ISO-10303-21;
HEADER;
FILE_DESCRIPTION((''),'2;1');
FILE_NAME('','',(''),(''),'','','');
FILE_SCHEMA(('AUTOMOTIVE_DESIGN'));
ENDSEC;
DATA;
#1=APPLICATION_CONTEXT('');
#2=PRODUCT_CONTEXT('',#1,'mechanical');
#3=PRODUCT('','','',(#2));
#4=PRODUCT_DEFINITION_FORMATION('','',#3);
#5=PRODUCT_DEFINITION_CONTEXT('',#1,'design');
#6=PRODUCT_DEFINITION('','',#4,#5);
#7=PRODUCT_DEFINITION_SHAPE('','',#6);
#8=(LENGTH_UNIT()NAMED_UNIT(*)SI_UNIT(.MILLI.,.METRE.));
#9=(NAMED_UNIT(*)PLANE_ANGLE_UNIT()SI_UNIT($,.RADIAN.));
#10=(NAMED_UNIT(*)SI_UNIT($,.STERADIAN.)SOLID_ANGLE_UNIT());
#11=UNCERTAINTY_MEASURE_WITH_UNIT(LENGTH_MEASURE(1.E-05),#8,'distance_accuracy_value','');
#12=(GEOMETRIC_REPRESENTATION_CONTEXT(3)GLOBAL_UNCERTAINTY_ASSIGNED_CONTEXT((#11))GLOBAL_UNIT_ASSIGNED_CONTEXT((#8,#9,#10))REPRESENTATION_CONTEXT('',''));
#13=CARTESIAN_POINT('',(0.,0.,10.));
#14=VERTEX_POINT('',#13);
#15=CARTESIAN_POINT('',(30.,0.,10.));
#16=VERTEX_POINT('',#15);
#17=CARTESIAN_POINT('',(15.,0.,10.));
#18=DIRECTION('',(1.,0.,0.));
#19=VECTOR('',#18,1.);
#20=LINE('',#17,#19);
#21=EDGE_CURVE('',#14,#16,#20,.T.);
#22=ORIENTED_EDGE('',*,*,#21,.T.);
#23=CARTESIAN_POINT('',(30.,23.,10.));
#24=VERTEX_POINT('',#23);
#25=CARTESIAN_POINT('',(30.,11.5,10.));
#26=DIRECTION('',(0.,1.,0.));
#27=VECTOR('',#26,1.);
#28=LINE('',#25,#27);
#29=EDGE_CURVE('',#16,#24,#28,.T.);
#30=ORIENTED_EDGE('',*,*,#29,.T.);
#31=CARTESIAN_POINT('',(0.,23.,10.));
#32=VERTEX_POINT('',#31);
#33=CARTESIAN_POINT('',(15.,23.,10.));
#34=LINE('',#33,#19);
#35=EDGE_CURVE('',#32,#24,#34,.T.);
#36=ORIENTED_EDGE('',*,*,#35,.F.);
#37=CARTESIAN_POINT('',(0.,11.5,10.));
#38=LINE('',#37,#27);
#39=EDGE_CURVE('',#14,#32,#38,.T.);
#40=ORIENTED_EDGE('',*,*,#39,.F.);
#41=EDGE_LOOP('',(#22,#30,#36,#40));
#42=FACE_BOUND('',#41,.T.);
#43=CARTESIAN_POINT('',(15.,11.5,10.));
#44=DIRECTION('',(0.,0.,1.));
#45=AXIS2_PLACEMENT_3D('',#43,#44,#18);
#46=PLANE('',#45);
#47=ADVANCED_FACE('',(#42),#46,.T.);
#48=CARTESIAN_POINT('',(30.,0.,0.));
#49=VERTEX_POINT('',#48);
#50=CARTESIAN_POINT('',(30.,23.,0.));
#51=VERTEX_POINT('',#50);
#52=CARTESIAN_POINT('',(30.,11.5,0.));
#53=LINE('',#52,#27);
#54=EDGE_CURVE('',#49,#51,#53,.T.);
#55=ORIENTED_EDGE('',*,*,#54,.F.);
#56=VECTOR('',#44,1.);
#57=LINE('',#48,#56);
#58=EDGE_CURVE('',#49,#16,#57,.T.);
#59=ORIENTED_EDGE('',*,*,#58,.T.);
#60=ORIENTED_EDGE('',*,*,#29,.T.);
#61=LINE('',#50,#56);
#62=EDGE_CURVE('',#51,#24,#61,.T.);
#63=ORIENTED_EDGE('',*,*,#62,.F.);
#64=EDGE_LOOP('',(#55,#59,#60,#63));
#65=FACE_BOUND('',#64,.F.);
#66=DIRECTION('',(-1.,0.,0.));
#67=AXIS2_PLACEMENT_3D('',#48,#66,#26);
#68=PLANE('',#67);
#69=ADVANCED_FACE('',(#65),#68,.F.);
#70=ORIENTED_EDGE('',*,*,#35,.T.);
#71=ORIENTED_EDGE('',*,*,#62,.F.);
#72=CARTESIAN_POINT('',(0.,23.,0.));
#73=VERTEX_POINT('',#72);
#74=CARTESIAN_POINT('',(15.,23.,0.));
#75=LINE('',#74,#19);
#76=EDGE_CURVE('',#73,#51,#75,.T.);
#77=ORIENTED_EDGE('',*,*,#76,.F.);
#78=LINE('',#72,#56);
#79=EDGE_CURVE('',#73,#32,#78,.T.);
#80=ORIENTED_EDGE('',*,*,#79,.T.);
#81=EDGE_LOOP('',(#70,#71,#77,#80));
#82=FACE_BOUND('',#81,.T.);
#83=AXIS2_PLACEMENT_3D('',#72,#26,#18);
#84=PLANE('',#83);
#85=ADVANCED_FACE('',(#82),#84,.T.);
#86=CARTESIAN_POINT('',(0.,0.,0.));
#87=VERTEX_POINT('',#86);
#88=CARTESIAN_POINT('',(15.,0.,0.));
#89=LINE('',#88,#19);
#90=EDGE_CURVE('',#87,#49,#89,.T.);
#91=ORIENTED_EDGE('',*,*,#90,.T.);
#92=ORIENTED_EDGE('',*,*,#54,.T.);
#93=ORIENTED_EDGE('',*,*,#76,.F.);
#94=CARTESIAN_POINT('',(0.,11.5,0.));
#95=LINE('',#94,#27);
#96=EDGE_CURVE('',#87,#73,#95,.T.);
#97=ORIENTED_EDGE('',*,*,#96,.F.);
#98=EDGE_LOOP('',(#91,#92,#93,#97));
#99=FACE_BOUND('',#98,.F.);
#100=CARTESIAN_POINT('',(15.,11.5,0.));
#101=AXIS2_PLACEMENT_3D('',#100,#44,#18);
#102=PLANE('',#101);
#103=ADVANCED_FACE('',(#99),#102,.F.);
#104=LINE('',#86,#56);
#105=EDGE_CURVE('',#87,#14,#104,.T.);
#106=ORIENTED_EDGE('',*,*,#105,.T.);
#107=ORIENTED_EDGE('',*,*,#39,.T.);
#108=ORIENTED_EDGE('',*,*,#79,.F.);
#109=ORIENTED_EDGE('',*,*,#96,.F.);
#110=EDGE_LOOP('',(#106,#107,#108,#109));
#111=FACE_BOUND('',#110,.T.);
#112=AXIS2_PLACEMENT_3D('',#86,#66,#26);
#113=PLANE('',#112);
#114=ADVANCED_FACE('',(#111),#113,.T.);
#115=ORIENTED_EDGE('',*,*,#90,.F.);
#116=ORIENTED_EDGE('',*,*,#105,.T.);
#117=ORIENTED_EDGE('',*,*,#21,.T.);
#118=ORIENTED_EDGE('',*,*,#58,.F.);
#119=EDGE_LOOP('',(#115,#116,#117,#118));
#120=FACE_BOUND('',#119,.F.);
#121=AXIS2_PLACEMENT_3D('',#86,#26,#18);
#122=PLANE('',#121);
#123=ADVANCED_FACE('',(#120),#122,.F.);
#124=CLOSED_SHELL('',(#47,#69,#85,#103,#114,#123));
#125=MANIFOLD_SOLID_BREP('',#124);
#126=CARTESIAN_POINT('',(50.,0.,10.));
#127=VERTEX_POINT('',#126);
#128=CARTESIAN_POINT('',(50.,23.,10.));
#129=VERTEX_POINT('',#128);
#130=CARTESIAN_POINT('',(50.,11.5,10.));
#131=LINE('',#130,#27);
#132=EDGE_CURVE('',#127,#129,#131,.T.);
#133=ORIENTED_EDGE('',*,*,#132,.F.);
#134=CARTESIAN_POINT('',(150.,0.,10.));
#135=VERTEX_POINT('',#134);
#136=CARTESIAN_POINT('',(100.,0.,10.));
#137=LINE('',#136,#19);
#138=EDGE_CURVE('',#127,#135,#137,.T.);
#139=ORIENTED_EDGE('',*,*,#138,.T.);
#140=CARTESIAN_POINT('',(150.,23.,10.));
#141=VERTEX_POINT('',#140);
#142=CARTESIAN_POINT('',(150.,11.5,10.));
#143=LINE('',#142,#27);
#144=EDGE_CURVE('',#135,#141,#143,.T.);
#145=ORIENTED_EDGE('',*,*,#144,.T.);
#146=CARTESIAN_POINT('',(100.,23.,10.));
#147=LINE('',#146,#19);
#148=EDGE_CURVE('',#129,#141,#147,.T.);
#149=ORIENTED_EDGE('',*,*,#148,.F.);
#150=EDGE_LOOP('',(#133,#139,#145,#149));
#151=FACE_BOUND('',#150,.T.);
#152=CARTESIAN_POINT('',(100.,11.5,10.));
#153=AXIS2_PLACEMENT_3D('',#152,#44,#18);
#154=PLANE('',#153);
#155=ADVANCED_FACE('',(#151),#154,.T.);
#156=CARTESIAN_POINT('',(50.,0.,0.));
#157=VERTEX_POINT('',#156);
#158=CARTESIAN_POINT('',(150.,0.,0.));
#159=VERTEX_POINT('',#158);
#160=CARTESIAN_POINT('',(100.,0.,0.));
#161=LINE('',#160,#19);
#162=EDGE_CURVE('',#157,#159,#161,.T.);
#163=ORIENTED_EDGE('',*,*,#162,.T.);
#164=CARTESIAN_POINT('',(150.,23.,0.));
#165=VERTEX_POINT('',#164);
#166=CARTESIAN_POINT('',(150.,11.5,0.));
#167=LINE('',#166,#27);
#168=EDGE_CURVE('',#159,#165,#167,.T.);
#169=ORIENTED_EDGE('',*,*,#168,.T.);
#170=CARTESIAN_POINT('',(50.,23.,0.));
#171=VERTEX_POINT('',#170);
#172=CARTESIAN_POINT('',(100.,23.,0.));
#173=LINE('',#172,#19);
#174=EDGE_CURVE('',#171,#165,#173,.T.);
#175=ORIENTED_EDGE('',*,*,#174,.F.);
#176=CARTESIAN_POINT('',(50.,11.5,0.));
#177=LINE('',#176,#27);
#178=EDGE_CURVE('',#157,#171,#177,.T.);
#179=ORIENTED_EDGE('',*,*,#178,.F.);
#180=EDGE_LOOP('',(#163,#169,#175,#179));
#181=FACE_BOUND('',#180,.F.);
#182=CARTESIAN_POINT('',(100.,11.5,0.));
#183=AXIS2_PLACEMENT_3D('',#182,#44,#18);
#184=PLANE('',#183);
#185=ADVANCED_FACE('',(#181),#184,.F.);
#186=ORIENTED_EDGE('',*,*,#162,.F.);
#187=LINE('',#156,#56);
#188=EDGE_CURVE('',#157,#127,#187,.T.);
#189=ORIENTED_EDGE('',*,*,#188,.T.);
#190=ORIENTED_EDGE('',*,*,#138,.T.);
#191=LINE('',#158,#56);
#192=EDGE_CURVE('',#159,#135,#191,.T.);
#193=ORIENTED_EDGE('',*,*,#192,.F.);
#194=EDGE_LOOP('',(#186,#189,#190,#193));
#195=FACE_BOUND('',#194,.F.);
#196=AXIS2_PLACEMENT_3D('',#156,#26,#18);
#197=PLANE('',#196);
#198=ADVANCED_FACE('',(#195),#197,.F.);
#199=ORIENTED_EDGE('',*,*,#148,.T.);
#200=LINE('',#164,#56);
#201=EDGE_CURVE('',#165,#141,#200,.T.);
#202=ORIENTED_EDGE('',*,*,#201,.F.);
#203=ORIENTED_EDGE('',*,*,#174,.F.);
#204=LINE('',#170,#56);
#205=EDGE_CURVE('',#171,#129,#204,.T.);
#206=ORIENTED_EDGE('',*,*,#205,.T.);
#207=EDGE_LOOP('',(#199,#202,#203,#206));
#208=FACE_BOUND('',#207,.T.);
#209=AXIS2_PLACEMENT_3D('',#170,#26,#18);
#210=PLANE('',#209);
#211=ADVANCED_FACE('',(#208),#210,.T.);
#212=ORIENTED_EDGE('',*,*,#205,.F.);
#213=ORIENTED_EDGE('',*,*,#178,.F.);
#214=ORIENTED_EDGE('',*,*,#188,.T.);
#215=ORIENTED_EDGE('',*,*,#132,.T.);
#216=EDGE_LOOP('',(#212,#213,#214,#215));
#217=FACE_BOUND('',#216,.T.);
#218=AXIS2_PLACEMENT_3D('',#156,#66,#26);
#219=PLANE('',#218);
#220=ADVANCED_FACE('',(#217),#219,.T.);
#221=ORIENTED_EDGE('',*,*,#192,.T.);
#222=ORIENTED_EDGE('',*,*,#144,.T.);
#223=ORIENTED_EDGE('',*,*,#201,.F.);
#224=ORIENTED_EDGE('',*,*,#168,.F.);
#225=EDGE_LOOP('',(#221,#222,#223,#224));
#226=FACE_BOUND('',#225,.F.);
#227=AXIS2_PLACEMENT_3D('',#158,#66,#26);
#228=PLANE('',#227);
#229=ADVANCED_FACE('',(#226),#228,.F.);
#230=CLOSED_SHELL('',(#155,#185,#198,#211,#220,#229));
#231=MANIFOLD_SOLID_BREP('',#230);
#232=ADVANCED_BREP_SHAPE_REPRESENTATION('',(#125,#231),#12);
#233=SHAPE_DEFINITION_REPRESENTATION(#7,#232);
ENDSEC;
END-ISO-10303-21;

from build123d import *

# Parameters (mm, degrees)
BOX020_W     = 100
BOX020_H     = 23
BOX020_DEPTH = 10
BOX019_W     = 30
BOX019_H     = 23
BOX019_DEPTH = 10


with BuildPart() as box020:
    # Box020 → Box020 (new body)
    with BuildSketch(Plane(origin=(50, 0, 0), x_dir=(1, 0, 0), z_dir=(0, 0, 1))):
        with Locations((50, 11.5)):
            Rectangle(BOX020_W, BOX020_H)
    extrude(amount=BOX020_DEPTH)


with BuildPart() as fusion007:
    # Box019 → Box019 (new body)
    with BuildSketch(Plane.XY):
        with Locations((15, 11.5)):
            Rectangle(BOX019_W, BOX019_H)
    extrude(amount=BOX019_DEPTH)

    # Fusion007: union Box020
    add(box020.part)


solid = fusion007.part
